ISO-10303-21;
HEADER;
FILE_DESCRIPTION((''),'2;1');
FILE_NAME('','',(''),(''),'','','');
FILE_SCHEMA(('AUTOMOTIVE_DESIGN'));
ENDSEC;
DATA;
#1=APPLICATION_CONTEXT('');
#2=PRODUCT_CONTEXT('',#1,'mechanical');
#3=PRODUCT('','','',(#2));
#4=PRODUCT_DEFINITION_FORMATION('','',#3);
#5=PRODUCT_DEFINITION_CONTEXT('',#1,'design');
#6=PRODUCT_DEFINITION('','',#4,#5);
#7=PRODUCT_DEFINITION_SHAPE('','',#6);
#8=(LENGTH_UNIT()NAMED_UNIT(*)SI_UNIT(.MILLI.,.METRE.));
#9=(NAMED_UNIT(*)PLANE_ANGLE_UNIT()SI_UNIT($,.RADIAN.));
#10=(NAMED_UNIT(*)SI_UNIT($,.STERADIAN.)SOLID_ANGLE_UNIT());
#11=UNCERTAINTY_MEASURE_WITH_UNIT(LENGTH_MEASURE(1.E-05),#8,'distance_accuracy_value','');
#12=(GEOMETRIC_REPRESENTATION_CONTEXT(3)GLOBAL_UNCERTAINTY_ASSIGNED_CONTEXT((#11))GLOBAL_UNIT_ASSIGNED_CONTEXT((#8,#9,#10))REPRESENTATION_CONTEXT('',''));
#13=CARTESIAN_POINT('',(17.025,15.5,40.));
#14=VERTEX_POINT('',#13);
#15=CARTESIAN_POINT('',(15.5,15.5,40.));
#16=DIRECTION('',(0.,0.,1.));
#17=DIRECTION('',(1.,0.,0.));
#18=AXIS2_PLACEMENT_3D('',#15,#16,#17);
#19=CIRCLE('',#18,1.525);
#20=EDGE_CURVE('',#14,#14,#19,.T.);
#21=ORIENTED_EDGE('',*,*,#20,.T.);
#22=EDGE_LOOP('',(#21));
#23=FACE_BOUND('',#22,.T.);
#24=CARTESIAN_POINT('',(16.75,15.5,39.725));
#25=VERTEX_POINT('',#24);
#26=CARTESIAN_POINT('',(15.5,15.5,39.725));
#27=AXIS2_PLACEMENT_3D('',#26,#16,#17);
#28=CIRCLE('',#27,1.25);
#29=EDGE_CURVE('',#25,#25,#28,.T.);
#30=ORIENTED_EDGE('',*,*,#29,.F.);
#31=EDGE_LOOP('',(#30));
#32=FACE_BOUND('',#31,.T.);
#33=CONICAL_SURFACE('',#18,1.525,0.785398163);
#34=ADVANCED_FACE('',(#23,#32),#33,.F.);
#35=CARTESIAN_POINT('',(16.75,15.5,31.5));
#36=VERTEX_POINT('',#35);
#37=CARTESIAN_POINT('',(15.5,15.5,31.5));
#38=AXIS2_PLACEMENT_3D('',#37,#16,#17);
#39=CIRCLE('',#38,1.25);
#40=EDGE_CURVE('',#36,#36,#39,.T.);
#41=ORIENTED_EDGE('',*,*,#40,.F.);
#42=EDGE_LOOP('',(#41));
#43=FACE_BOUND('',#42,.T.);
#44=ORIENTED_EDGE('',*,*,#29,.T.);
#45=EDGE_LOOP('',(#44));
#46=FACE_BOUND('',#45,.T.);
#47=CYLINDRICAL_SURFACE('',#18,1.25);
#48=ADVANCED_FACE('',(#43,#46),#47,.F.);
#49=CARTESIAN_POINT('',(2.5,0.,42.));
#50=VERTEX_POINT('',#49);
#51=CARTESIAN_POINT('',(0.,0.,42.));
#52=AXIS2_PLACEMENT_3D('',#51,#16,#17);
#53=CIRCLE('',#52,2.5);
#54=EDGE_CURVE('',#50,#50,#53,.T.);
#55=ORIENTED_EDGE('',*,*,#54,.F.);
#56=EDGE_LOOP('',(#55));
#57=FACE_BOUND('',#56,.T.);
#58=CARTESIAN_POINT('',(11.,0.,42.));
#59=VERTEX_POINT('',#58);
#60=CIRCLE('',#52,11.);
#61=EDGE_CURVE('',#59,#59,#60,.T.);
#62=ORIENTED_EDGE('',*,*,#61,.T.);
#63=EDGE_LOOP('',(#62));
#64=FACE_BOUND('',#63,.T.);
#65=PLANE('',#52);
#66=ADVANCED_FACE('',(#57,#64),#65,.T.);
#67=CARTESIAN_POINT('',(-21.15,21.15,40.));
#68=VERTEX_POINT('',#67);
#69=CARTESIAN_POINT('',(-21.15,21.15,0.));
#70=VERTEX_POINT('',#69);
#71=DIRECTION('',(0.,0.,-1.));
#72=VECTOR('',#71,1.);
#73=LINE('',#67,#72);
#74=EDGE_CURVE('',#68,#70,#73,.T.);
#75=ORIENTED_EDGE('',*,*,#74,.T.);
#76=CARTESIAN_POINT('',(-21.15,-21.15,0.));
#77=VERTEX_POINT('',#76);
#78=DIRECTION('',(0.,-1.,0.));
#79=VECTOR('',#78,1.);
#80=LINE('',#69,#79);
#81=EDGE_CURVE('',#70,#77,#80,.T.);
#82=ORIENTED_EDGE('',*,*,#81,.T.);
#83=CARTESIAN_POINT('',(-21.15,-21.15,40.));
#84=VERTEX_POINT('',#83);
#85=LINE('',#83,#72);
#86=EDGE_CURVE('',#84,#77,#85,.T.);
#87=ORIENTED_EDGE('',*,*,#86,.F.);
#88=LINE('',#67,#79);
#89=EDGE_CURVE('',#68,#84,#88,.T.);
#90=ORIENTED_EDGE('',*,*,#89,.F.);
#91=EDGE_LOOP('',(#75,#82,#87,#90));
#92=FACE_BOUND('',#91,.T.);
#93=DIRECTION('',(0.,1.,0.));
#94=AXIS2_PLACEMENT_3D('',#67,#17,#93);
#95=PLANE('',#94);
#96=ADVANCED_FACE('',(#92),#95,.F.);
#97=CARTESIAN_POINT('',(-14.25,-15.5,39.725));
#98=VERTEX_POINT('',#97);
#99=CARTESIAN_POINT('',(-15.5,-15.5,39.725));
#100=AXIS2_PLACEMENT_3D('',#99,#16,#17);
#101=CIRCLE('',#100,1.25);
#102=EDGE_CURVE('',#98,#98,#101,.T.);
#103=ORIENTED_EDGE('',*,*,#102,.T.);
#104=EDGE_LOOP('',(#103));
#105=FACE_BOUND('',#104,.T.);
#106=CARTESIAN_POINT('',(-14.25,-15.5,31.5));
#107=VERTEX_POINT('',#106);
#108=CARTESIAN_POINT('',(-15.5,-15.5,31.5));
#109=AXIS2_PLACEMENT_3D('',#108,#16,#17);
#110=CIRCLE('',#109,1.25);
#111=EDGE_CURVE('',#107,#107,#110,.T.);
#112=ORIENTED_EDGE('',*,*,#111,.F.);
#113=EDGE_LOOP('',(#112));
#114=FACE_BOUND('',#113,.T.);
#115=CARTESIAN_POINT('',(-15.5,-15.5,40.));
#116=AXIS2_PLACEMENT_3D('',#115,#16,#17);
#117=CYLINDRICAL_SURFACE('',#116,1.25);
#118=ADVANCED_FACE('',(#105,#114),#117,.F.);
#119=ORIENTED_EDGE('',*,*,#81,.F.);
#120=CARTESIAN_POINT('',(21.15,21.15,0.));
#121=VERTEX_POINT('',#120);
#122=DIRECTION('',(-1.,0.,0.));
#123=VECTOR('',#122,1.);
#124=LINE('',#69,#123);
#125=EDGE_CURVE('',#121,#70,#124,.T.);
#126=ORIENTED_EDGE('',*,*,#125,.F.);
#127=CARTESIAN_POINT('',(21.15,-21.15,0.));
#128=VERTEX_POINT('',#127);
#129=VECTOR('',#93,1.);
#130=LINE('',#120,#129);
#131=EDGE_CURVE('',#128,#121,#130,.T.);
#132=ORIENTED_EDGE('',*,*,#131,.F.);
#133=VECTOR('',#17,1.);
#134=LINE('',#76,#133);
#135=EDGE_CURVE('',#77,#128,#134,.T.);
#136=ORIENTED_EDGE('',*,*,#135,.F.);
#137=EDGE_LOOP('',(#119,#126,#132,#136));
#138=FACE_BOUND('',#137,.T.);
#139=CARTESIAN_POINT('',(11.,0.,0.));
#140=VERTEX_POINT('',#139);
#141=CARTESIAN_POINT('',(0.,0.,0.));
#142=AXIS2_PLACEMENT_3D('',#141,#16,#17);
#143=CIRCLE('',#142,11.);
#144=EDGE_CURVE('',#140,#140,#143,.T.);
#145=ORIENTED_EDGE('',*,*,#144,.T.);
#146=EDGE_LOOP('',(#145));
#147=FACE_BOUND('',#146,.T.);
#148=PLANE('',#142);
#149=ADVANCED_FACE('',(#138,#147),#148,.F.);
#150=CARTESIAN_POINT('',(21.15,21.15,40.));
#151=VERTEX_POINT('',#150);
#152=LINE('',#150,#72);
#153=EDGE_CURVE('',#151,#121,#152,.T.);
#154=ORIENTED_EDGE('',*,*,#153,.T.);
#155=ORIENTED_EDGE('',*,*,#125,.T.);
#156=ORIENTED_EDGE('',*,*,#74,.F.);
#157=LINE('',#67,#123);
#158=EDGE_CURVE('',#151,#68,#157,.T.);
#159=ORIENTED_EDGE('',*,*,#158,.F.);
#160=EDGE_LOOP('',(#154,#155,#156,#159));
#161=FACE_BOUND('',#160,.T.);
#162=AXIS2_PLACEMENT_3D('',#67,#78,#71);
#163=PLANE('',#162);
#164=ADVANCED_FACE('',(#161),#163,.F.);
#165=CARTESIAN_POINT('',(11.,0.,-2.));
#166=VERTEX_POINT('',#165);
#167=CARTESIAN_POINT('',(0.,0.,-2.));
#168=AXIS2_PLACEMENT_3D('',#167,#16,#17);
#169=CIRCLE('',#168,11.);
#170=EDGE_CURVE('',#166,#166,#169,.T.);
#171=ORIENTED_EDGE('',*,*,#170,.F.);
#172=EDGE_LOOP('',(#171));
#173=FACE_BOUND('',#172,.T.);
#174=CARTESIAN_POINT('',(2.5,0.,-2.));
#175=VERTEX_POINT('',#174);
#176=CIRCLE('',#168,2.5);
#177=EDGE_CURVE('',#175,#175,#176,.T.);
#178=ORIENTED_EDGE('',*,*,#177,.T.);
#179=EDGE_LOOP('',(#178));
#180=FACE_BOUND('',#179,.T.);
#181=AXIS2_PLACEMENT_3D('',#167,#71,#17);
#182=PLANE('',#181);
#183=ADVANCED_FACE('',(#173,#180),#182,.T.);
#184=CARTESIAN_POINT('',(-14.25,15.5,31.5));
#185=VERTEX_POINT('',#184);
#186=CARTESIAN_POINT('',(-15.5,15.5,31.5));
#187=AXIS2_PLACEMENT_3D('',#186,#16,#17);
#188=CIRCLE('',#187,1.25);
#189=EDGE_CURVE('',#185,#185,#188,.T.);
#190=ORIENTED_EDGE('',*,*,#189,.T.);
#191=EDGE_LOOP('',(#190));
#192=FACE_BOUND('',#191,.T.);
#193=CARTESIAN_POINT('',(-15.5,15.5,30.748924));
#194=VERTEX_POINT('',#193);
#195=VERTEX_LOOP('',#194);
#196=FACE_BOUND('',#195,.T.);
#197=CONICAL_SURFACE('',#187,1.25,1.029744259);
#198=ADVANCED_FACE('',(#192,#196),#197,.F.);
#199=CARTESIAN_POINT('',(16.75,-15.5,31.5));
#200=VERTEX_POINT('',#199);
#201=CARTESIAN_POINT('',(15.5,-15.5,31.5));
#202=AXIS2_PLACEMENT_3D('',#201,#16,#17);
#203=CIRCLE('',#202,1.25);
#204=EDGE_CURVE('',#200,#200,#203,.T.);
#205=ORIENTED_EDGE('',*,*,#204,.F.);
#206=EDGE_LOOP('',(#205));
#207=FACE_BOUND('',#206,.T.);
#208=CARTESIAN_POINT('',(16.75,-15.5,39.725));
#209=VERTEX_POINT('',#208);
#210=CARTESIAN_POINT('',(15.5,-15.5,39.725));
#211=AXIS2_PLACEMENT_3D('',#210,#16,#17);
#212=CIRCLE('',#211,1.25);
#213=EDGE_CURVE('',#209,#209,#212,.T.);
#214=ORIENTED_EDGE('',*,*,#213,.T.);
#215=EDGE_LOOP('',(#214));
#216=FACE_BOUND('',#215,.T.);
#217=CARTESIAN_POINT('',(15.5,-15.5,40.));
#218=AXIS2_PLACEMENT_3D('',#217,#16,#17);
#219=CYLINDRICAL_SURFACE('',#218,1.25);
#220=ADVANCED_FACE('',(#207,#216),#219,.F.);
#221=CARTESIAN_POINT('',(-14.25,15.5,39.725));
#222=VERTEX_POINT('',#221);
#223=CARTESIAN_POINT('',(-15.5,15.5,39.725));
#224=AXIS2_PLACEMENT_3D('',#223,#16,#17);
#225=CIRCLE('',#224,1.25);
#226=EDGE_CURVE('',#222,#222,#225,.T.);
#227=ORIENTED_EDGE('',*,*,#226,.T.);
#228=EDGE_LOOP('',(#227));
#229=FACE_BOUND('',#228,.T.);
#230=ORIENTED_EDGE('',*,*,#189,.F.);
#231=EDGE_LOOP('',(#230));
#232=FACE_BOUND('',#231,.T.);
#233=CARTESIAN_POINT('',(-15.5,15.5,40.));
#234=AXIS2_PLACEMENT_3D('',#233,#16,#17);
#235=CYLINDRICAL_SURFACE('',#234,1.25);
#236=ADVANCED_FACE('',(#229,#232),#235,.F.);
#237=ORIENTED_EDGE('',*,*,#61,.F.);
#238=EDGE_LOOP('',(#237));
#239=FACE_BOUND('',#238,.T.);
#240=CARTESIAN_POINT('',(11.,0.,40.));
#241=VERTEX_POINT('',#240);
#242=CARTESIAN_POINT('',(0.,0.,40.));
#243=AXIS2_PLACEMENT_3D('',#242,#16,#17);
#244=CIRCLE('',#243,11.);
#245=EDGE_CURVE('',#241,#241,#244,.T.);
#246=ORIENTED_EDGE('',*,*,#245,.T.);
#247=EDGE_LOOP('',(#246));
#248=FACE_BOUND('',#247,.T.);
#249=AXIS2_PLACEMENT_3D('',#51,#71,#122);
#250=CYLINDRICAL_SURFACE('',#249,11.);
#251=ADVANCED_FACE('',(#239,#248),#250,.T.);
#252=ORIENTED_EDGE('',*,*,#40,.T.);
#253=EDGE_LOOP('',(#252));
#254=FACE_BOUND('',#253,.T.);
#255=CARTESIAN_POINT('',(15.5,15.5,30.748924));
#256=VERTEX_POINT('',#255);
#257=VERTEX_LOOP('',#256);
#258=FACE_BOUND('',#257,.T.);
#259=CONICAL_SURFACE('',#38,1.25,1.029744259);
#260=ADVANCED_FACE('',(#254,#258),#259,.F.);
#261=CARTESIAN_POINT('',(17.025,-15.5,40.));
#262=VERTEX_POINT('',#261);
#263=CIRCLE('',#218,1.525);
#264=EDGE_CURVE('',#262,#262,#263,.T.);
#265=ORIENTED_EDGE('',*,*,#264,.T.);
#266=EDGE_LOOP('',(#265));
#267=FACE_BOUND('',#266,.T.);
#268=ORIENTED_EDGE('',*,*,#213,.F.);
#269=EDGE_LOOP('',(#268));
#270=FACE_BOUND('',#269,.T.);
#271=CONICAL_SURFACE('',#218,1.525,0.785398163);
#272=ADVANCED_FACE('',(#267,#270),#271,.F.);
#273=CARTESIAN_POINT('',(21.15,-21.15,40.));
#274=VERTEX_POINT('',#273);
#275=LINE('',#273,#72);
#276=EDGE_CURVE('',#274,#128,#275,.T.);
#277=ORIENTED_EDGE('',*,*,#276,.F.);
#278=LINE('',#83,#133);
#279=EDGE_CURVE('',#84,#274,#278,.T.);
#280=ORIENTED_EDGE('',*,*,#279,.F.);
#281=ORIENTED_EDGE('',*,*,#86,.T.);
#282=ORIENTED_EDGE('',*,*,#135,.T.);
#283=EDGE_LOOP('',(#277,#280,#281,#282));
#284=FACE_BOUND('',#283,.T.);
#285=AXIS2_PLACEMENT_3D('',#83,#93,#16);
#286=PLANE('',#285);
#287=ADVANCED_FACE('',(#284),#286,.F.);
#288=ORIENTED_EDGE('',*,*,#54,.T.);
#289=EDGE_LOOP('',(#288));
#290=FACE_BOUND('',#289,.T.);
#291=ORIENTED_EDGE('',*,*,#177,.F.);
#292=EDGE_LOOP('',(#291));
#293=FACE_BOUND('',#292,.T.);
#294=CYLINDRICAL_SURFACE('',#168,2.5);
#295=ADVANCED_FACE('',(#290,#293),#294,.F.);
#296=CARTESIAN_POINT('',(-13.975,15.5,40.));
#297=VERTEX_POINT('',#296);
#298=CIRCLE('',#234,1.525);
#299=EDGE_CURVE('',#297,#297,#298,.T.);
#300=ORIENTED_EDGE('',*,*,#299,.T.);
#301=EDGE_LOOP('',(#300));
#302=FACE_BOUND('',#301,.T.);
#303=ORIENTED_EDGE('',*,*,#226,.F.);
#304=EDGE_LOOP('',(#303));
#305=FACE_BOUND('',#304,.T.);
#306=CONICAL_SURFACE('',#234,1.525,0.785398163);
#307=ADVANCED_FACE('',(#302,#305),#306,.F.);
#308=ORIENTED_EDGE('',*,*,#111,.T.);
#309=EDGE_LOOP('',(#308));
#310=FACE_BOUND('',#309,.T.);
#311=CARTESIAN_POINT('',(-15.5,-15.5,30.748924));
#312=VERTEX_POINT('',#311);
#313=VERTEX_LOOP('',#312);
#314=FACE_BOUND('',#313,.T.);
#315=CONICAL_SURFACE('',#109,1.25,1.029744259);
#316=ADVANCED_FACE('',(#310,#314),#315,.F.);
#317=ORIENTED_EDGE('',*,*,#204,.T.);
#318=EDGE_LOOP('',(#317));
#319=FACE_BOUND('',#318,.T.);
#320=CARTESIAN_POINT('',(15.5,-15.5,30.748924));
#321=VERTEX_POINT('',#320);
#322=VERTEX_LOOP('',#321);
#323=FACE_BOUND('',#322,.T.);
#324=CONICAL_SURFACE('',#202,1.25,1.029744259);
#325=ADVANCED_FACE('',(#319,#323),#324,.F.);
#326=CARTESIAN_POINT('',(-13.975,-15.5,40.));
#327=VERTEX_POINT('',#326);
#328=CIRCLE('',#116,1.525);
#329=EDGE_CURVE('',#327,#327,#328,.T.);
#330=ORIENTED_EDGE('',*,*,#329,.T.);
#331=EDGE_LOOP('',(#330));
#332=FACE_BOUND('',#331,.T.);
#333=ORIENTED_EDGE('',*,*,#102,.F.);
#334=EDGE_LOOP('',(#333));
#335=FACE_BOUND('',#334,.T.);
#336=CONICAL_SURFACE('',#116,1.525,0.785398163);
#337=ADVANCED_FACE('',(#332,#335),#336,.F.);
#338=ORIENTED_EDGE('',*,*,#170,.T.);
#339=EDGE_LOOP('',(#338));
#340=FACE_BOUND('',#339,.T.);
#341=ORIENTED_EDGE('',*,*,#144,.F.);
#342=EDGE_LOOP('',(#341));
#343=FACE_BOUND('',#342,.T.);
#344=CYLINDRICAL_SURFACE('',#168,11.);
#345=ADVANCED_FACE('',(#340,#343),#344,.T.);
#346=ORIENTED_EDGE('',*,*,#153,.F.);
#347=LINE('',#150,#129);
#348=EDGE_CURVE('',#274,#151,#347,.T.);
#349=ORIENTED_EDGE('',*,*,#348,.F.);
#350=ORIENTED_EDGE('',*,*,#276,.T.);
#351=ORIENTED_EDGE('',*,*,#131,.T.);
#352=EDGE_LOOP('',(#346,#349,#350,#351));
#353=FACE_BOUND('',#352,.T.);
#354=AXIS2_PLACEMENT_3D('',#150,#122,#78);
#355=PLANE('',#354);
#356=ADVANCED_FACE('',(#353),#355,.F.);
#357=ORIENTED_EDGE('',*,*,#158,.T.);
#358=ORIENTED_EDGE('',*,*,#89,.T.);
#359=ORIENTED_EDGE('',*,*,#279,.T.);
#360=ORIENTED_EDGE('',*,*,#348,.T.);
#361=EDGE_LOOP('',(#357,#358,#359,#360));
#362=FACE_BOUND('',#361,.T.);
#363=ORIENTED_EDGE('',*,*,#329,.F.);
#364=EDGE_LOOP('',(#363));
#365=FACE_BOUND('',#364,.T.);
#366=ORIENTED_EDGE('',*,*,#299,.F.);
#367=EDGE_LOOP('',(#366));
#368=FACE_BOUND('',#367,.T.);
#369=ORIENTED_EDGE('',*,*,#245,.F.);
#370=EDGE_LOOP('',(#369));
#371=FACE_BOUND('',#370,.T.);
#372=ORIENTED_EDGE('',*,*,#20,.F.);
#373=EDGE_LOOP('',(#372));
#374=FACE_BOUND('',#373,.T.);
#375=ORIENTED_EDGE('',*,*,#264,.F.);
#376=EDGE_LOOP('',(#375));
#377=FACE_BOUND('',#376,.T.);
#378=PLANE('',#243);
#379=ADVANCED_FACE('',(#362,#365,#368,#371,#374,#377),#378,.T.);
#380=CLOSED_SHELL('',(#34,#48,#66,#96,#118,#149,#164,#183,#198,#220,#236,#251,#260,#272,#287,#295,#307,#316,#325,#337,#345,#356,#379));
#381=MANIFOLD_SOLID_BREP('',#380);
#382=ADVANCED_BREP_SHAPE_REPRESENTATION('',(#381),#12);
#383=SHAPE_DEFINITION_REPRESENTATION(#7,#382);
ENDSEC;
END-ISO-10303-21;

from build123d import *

# Parameters (mm, degrees)
SKETCH_1_W                   = 42.3
SKETCH_1_H                   = 42.3
EXTRUDE_1_DEPTH              = 40
HOLE_WIZARD_M3_1_D           = 2.5
HOLE_WIZARD_M3_1_DEPTH       = 8.5
HOLE_WIZARD_M3_1_CSINK_D     = 3.05
HOLE_WIZARD_M3_1_CSINK_ANGLE = 90
HOLE_WIZARD_M3_1_TIP         = 0.751075774
SKETCH_6_R                   = 11
EXTRUDE_2_DEPTH              = 2
SKETCH_7_R                   = 2.5
CUT_EXTRUDE_1_DEPTH          = 54.203806255


with BuildPart() as part:
    # 스케치1 → 보스-돌출1 (new body)
    with BuildSketch(Plane.XY):
        Rectangle(SKETCH_1_W, SKETCH_1_H)
    extrude(amount=EXTRUDE_1_DEPTH)

    # M3 나사 구멍1
    with Locations(Plane.XY.offset(40)):
        with Locations((-15.5, 15.5), (15.5, 15.5), (15.5, -15.5), (-15.5, -15.5)):
            CounterSinkHole(HOLE_WIZARD_M3_1_D / 2, HOLE_WIZARD_M3_1_CSINK_D / 2, depth=HOLE_WIZARD_M3_1_DEPTH, counter_sink_angle=HOLE_WIZARD_M3_1_CSINK_ANGLE)
            with Locations((0, 0, -(HOLE_WIZARD_M3_1_DEPTH + HOLE_WIZARD_M3_1_TIP / 2))):  # 118° drill point
                Cone(0, HOLE_WIZARD_M3_1_D / 2, HOLE_WIZARD_M3_1_TIP, mode=Mode.SUBTRACT)

    # 스케치6 → 보스-돌출2 (add)
    with BuildSketch(Plane.XY.offset(40)):
        Circle(SKETCH_6_R)
    extrude_2 = extrude(amount=EXTRUDE_2_DEPTH)

    # 대칭 복사1: 보스-돌출2 across plane
    add(extrude_2.mirror(Plane(origin=(0, 0, 20), x_dir=(1, 0, 0), z_dir=(0, 0, -1))))

    # 스케치7 → 컷-돌출1 (cut, through all)
    with BuildSketch(Plane.XY.offset(42)):
        Circle(SKETCH_7_R)
    extrude(amount=-CUT_EXTRUDE_1_DEPTH, mode=Mode.SUBTRACT)


solid = part.part
